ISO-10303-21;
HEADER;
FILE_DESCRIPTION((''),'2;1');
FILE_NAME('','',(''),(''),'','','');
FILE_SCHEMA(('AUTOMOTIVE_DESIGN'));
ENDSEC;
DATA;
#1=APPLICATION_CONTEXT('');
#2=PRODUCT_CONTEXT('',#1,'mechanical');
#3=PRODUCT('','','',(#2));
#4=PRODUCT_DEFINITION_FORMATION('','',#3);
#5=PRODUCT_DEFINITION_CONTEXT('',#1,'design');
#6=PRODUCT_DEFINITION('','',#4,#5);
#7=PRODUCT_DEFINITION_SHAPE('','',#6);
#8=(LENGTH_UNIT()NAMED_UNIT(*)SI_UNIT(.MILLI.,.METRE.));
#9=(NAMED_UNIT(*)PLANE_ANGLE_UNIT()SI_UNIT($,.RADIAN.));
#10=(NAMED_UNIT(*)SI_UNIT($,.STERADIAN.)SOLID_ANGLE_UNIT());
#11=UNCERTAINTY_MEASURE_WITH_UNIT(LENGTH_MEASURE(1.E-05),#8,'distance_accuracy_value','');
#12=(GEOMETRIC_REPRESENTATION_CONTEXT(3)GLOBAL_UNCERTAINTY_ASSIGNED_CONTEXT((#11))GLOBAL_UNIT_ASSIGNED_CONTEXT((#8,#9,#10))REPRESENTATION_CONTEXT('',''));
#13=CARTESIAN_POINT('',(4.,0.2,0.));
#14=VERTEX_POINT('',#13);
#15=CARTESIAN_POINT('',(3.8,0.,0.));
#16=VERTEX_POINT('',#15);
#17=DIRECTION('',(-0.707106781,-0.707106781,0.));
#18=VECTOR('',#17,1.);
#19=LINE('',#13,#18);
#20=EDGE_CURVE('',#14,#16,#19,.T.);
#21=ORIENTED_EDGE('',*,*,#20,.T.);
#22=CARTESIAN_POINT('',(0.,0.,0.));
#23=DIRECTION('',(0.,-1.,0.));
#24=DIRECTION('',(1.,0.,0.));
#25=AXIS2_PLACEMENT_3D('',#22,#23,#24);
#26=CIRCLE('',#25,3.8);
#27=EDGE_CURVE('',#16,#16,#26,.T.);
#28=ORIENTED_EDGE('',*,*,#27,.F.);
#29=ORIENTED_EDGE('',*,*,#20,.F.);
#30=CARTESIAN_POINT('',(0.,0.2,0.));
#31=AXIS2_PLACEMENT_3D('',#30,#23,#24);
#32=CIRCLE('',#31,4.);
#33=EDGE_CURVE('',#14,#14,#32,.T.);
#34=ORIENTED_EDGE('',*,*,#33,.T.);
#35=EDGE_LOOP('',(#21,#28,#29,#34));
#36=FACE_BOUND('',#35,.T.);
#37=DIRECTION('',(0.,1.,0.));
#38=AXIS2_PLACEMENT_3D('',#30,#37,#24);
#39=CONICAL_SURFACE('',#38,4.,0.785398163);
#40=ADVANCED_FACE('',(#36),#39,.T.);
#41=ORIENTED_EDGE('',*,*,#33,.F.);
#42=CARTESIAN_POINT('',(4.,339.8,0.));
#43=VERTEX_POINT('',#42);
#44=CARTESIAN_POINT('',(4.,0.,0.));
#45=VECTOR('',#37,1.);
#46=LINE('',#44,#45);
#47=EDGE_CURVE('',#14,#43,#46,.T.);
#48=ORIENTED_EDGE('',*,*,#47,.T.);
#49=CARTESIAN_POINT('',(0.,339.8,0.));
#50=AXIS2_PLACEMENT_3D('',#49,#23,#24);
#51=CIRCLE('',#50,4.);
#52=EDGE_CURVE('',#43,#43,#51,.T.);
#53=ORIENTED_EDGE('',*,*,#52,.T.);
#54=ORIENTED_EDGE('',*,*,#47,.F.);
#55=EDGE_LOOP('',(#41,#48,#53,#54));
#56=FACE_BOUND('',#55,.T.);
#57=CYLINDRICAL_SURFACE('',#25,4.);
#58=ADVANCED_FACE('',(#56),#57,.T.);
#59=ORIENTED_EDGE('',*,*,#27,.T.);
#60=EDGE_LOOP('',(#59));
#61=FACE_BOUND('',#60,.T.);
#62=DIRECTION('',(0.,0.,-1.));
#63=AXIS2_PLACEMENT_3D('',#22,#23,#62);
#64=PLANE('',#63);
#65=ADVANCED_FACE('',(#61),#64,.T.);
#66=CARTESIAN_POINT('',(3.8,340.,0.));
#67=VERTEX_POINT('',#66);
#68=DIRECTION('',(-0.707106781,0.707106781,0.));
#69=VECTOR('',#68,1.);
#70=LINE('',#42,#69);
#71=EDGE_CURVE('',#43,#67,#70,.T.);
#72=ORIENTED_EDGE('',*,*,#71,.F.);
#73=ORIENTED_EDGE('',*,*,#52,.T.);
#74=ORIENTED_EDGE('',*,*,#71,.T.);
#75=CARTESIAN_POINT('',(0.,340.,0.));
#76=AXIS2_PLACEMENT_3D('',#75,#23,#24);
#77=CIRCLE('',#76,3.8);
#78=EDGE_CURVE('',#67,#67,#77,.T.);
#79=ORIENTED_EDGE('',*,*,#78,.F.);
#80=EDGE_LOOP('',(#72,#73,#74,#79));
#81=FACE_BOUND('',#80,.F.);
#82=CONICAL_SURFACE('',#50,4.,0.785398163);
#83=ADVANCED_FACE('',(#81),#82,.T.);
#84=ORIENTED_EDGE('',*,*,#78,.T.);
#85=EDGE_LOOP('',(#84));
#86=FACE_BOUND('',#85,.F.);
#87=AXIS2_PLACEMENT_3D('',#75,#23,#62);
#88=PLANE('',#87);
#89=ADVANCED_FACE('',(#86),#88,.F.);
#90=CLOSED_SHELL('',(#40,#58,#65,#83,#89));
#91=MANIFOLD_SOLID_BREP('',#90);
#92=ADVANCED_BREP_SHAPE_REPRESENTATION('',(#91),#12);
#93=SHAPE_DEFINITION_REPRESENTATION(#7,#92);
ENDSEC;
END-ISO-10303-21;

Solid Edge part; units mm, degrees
sketch "Sketch1" plane through (0, 0, 0) normal (0, -1, 0) x (1, 0, 0)
  circle A0 centre (0, 0) radius 4
extrude "Protrusion1" add sketch "Sketch1" against normal blind 340
chamfer "Fase_1" distance 0.2 angle 45 2 edges at (-4, 0, 0) (-4, 340, 0)
